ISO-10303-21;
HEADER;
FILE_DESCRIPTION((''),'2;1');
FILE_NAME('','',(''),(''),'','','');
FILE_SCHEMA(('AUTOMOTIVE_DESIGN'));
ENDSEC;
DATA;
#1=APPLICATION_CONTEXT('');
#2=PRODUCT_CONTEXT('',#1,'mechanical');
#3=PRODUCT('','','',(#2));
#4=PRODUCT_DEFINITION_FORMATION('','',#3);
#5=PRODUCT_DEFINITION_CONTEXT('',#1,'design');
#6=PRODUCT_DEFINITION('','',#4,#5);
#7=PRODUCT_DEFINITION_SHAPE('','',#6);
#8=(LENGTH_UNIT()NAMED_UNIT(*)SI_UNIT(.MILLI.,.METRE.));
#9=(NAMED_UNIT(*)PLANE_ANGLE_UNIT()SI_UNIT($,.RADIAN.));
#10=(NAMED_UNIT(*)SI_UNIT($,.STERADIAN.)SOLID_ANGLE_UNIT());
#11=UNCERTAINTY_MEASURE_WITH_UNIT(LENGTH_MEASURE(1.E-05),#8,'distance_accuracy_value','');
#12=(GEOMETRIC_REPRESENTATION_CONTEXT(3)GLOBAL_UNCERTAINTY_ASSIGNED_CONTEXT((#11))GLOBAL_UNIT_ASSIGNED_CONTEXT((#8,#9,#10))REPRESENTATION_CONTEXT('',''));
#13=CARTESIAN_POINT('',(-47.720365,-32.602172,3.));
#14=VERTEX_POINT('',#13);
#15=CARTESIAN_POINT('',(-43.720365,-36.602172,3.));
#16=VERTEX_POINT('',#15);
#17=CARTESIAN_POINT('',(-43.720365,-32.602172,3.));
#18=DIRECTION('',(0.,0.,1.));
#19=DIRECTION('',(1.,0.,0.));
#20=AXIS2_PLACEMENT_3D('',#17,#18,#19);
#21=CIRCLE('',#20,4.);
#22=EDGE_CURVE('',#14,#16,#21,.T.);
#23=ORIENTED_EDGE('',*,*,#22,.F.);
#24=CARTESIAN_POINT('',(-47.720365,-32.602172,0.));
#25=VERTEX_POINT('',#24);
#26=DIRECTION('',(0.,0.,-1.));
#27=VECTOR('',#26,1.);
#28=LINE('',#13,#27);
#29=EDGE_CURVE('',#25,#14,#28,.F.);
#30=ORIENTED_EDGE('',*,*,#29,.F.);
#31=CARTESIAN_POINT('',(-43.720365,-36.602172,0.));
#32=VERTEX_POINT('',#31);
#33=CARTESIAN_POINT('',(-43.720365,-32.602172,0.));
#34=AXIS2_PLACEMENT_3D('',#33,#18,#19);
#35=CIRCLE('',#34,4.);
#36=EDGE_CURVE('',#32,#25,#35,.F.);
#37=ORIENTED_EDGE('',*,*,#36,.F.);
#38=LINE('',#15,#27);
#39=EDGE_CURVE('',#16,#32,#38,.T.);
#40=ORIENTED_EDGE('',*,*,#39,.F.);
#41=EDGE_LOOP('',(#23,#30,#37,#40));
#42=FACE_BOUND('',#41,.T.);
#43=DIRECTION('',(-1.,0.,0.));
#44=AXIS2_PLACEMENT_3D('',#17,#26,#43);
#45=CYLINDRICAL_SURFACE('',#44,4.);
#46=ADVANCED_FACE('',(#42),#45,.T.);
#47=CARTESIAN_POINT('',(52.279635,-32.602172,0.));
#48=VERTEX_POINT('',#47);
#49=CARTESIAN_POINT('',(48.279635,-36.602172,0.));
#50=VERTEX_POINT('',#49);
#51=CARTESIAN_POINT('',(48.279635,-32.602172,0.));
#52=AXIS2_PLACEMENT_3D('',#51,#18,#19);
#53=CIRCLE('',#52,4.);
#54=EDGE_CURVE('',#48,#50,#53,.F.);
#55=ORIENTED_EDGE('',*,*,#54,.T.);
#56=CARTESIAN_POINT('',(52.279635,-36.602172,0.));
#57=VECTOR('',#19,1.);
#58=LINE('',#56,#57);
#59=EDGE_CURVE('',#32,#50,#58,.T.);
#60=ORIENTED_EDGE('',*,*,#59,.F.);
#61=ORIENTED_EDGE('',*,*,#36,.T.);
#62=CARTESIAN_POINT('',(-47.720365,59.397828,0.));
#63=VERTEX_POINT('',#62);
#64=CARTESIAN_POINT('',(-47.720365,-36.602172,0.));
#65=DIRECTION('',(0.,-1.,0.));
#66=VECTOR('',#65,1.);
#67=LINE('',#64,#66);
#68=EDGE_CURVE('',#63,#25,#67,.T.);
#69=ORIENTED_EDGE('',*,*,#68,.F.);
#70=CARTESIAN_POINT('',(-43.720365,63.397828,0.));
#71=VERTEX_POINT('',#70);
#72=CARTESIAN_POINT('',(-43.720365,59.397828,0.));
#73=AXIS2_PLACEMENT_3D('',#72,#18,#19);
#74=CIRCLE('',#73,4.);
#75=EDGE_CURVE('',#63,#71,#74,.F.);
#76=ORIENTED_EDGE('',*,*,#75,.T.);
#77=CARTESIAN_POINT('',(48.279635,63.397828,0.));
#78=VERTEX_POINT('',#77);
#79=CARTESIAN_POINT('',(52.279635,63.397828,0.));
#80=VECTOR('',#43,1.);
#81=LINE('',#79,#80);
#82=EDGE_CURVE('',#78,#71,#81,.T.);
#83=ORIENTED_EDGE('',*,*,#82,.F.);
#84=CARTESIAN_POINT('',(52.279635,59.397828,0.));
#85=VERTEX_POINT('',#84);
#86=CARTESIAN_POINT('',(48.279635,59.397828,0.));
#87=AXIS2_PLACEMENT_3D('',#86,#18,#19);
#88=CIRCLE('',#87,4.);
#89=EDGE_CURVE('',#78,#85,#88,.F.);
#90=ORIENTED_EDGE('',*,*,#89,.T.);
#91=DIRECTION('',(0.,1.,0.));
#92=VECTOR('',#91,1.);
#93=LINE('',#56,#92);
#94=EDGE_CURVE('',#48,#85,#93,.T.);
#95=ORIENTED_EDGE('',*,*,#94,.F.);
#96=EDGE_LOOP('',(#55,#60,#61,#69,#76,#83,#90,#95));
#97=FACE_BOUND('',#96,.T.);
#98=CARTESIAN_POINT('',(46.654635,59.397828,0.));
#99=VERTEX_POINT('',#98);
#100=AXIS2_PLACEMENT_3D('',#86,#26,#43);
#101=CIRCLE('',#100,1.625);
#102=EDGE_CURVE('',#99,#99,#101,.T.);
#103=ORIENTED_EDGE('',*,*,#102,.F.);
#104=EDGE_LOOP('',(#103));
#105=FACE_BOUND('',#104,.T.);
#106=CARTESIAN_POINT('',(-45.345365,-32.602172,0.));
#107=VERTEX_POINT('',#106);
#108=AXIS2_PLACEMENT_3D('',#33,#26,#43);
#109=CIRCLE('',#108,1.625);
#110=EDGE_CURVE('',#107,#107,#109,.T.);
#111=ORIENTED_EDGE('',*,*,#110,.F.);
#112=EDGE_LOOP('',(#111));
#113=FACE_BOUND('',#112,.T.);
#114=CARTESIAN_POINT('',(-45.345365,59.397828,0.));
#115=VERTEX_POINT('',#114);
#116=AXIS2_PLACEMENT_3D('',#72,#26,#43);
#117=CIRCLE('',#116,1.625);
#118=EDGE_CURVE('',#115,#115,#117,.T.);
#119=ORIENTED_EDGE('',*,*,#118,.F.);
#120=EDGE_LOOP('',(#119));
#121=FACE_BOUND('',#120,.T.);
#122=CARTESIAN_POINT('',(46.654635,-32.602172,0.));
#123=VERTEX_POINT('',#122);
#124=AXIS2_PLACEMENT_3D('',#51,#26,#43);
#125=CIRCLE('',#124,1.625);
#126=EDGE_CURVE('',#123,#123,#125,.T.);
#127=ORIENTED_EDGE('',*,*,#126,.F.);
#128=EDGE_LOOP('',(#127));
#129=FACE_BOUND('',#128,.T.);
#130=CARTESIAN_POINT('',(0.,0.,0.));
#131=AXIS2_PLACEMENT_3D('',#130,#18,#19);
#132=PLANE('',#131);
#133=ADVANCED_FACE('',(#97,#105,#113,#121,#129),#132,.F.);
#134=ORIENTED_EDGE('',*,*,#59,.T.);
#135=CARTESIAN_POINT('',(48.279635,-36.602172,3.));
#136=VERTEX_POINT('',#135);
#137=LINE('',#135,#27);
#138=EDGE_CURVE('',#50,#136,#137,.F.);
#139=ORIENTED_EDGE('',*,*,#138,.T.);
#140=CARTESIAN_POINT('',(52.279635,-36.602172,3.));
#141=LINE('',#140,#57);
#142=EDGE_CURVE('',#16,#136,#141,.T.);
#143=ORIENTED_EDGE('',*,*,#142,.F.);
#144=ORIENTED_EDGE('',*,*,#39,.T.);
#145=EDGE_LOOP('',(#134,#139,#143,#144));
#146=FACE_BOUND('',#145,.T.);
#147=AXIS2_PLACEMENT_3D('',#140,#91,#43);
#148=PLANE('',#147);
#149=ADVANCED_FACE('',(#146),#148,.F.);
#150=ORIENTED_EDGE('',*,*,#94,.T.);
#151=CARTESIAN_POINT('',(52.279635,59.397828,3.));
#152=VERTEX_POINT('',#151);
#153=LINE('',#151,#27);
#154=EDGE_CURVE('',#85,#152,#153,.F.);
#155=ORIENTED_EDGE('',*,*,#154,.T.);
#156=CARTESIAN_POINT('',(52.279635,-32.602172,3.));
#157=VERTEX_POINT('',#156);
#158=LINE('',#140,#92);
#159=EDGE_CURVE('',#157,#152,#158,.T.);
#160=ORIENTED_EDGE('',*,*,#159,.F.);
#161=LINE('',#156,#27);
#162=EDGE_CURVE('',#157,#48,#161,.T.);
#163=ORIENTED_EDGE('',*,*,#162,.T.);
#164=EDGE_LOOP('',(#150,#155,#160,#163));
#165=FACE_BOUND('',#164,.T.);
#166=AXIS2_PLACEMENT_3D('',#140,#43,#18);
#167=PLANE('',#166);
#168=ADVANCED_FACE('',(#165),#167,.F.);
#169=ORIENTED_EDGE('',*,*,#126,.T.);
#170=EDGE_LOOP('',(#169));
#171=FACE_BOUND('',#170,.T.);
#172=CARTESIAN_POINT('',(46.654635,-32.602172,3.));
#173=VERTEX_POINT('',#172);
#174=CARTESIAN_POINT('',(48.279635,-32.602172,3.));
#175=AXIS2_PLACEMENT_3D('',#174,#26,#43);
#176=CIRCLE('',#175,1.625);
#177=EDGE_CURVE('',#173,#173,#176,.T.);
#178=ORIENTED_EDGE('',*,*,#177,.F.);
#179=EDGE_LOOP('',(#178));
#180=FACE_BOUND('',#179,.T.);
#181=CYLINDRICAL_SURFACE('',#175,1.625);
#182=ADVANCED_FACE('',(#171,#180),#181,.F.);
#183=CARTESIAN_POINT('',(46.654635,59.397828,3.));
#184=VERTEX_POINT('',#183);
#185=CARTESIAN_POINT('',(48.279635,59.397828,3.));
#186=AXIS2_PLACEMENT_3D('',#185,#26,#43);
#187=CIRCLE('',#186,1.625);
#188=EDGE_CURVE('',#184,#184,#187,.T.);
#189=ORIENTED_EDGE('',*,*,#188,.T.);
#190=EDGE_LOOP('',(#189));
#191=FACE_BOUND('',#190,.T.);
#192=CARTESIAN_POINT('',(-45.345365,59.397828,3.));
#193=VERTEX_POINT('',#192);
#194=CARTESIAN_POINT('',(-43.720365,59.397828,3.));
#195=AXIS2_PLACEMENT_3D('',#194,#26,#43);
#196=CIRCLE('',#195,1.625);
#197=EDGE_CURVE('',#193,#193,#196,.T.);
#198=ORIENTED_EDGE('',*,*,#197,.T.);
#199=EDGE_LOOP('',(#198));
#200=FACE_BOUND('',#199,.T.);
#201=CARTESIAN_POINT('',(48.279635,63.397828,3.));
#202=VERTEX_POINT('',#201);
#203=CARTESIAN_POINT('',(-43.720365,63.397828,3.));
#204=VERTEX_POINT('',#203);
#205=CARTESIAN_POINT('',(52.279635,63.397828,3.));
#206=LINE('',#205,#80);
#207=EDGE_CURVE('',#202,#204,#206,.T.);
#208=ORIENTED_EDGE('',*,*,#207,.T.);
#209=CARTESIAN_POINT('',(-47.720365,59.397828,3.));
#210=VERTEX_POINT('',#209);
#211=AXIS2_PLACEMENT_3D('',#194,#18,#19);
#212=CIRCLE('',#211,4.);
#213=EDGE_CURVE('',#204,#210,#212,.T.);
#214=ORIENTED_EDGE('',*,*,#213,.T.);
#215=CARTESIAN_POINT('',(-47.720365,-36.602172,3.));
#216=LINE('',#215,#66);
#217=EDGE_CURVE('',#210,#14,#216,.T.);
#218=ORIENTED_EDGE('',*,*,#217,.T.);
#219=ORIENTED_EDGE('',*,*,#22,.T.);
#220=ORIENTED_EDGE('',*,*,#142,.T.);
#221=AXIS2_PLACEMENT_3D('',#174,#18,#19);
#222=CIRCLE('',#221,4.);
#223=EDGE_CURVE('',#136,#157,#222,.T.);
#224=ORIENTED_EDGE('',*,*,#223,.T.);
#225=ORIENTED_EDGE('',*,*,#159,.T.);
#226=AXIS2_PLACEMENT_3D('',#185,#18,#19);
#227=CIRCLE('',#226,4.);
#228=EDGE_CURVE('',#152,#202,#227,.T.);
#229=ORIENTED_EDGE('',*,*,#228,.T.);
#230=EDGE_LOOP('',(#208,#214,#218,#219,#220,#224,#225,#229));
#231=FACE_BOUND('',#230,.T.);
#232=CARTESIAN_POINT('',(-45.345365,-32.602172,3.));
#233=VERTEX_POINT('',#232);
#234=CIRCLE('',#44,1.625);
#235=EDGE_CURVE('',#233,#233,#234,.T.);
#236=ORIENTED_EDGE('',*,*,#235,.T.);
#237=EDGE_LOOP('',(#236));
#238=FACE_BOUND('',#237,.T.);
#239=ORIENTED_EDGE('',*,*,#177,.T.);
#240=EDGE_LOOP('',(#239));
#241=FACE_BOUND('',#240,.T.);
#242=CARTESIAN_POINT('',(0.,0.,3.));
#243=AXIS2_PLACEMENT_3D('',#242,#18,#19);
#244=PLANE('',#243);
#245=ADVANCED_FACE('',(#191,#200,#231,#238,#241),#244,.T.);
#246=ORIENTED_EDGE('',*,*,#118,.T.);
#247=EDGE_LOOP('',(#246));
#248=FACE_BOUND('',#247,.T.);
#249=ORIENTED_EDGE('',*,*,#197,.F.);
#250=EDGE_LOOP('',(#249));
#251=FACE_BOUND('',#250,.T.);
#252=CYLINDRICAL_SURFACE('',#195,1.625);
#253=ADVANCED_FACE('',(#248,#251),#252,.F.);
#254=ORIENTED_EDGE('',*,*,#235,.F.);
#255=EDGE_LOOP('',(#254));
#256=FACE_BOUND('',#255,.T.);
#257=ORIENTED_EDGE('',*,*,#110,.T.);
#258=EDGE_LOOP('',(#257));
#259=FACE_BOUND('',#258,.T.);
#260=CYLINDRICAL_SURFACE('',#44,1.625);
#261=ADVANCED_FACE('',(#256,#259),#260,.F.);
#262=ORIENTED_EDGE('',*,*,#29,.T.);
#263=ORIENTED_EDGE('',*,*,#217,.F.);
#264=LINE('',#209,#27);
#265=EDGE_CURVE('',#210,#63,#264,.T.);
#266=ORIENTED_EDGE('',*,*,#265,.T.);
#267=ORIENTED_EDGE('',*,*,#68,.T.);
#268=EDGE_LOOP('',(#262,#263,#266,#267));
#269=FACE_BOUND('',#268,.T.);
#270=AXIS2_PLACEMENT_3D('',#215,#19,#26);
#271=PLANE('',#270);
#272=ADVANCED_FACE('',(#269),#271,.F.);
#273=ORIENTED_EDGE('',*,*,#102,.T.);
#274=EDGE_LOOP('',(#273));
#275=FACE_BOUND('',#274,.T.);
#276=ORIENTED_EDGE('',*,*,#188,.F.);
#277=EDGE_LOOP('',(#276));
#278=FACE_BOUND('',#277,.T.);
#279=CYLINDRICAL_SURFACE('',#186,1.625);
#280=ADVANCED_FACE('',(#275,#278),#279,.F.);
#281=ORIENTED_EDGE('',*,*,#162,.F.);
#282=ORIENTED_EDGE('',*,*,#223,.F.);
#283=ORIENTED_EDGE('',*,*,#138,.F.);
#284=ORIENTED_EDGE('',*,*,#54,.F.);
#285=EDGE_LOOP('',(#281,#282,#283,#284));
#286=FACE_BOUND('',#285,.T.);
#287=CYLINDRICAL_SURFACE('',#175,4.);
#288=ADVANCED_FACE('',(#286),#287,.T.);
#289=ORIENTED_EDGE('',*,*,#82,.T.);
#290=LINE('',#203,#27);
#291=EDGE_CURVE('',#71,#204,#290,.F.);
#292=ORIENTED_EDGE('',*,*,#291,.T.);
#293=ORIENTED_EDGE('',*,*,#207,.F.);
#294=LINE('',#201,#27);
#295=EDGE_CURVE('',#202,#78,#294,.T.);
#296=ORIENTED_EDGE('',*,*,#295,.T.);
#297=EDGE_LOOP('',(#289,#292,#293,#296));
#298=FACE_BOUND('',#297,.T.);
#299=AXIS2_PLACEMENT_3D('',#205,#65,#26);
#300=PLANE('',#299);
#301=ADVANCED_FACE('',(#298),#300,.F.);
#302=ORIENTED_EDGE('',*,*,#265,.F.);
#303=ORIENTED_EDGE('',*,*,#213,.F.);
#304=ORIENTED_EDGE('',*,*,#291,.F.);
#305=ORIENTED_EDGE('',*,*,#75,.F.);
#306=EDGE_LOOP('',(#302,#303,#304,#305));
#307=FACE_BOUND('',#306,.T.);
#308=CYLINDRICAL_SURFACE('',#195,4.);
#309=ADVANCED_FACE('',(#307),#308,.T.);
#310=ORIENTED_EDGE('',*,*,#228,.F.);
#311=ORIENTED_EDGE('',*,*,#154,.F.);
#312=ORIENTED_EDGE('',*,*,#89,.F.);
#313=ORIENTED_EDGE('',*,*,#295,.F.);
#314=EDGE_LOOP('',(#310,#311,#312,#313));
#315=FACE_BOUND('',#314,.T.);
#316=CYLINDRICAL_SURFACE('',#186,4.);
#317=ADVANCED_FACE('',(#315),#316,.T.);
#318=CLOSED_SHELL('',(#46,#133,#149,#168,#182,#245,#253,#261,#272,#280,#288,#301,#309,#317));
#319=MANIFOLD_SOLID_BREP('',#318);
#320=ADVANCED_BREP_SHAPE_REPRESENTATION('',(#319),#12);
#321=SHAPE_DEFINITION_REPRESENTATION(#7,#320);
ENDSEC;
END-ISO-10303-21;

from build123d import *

# Parameters (mm, degrees)
IZIM1_W                     = 100
IZIM1_H                     = 100
Y_KSEKLIK_EKSTR_ZYON1_DEPTH = 3
RADYUS1_R                   = 4
IZIM12_R                    = 1.625
KES_EKSTR_ZYON7_DEPTH       = 83.228005541


with BuildPart() as part:
    # Çizim1 → Yükseklik-Ekstrüzyon1 (new body)
    with BuildSketch(Plane.XY):
        with Locations((2.279635258, 13.397828294)):
            Rectangle(IZIM1_W, IZIM1_H)
    extrude(amount=Y_KSEKLIK_EKSTR_ZYON1_DEPTH)

    # Radyus1
    radyus1_edges = [part.edges().sort_by_distance(p)[0] for p in [
        (-47.720364742, 63.397828294, 1.5),
        (52.279635258, 63.397828294, 1.5),
        (52.279635258, -36.602171706, 1.5),
        (-47.720364742, -36.602171706, 1.5),
    ]]
    fillet(radyus1_edges, radius=RADYUS1_R)

    # Çizim12 → Kes-Ekstrüzyon7 (cut, through all)
    with BuildSketch(Plane(origin=(0, 0, 0), x_dir=(-1, 0, 0), z_dir=(0, 0, -1))):
        with Locations((-48.279635258, 59.397828294)):
            Circle(IZIM12_R)
        with Locations((43.720364742, 59.397828294)):
            Circle(IZIM12_R)
        with Locations((43.720364742, -32.602171706)):
            Circle(IZIM12_R)
        with Locations((-48.279635258, -32.602171706)):
            Circle(IZIM12_R)
    extrude(amount=-KES_EKSTR_ZYON7_DEPTH, mode=Mode.SUBTRACT)


solid = part.part
